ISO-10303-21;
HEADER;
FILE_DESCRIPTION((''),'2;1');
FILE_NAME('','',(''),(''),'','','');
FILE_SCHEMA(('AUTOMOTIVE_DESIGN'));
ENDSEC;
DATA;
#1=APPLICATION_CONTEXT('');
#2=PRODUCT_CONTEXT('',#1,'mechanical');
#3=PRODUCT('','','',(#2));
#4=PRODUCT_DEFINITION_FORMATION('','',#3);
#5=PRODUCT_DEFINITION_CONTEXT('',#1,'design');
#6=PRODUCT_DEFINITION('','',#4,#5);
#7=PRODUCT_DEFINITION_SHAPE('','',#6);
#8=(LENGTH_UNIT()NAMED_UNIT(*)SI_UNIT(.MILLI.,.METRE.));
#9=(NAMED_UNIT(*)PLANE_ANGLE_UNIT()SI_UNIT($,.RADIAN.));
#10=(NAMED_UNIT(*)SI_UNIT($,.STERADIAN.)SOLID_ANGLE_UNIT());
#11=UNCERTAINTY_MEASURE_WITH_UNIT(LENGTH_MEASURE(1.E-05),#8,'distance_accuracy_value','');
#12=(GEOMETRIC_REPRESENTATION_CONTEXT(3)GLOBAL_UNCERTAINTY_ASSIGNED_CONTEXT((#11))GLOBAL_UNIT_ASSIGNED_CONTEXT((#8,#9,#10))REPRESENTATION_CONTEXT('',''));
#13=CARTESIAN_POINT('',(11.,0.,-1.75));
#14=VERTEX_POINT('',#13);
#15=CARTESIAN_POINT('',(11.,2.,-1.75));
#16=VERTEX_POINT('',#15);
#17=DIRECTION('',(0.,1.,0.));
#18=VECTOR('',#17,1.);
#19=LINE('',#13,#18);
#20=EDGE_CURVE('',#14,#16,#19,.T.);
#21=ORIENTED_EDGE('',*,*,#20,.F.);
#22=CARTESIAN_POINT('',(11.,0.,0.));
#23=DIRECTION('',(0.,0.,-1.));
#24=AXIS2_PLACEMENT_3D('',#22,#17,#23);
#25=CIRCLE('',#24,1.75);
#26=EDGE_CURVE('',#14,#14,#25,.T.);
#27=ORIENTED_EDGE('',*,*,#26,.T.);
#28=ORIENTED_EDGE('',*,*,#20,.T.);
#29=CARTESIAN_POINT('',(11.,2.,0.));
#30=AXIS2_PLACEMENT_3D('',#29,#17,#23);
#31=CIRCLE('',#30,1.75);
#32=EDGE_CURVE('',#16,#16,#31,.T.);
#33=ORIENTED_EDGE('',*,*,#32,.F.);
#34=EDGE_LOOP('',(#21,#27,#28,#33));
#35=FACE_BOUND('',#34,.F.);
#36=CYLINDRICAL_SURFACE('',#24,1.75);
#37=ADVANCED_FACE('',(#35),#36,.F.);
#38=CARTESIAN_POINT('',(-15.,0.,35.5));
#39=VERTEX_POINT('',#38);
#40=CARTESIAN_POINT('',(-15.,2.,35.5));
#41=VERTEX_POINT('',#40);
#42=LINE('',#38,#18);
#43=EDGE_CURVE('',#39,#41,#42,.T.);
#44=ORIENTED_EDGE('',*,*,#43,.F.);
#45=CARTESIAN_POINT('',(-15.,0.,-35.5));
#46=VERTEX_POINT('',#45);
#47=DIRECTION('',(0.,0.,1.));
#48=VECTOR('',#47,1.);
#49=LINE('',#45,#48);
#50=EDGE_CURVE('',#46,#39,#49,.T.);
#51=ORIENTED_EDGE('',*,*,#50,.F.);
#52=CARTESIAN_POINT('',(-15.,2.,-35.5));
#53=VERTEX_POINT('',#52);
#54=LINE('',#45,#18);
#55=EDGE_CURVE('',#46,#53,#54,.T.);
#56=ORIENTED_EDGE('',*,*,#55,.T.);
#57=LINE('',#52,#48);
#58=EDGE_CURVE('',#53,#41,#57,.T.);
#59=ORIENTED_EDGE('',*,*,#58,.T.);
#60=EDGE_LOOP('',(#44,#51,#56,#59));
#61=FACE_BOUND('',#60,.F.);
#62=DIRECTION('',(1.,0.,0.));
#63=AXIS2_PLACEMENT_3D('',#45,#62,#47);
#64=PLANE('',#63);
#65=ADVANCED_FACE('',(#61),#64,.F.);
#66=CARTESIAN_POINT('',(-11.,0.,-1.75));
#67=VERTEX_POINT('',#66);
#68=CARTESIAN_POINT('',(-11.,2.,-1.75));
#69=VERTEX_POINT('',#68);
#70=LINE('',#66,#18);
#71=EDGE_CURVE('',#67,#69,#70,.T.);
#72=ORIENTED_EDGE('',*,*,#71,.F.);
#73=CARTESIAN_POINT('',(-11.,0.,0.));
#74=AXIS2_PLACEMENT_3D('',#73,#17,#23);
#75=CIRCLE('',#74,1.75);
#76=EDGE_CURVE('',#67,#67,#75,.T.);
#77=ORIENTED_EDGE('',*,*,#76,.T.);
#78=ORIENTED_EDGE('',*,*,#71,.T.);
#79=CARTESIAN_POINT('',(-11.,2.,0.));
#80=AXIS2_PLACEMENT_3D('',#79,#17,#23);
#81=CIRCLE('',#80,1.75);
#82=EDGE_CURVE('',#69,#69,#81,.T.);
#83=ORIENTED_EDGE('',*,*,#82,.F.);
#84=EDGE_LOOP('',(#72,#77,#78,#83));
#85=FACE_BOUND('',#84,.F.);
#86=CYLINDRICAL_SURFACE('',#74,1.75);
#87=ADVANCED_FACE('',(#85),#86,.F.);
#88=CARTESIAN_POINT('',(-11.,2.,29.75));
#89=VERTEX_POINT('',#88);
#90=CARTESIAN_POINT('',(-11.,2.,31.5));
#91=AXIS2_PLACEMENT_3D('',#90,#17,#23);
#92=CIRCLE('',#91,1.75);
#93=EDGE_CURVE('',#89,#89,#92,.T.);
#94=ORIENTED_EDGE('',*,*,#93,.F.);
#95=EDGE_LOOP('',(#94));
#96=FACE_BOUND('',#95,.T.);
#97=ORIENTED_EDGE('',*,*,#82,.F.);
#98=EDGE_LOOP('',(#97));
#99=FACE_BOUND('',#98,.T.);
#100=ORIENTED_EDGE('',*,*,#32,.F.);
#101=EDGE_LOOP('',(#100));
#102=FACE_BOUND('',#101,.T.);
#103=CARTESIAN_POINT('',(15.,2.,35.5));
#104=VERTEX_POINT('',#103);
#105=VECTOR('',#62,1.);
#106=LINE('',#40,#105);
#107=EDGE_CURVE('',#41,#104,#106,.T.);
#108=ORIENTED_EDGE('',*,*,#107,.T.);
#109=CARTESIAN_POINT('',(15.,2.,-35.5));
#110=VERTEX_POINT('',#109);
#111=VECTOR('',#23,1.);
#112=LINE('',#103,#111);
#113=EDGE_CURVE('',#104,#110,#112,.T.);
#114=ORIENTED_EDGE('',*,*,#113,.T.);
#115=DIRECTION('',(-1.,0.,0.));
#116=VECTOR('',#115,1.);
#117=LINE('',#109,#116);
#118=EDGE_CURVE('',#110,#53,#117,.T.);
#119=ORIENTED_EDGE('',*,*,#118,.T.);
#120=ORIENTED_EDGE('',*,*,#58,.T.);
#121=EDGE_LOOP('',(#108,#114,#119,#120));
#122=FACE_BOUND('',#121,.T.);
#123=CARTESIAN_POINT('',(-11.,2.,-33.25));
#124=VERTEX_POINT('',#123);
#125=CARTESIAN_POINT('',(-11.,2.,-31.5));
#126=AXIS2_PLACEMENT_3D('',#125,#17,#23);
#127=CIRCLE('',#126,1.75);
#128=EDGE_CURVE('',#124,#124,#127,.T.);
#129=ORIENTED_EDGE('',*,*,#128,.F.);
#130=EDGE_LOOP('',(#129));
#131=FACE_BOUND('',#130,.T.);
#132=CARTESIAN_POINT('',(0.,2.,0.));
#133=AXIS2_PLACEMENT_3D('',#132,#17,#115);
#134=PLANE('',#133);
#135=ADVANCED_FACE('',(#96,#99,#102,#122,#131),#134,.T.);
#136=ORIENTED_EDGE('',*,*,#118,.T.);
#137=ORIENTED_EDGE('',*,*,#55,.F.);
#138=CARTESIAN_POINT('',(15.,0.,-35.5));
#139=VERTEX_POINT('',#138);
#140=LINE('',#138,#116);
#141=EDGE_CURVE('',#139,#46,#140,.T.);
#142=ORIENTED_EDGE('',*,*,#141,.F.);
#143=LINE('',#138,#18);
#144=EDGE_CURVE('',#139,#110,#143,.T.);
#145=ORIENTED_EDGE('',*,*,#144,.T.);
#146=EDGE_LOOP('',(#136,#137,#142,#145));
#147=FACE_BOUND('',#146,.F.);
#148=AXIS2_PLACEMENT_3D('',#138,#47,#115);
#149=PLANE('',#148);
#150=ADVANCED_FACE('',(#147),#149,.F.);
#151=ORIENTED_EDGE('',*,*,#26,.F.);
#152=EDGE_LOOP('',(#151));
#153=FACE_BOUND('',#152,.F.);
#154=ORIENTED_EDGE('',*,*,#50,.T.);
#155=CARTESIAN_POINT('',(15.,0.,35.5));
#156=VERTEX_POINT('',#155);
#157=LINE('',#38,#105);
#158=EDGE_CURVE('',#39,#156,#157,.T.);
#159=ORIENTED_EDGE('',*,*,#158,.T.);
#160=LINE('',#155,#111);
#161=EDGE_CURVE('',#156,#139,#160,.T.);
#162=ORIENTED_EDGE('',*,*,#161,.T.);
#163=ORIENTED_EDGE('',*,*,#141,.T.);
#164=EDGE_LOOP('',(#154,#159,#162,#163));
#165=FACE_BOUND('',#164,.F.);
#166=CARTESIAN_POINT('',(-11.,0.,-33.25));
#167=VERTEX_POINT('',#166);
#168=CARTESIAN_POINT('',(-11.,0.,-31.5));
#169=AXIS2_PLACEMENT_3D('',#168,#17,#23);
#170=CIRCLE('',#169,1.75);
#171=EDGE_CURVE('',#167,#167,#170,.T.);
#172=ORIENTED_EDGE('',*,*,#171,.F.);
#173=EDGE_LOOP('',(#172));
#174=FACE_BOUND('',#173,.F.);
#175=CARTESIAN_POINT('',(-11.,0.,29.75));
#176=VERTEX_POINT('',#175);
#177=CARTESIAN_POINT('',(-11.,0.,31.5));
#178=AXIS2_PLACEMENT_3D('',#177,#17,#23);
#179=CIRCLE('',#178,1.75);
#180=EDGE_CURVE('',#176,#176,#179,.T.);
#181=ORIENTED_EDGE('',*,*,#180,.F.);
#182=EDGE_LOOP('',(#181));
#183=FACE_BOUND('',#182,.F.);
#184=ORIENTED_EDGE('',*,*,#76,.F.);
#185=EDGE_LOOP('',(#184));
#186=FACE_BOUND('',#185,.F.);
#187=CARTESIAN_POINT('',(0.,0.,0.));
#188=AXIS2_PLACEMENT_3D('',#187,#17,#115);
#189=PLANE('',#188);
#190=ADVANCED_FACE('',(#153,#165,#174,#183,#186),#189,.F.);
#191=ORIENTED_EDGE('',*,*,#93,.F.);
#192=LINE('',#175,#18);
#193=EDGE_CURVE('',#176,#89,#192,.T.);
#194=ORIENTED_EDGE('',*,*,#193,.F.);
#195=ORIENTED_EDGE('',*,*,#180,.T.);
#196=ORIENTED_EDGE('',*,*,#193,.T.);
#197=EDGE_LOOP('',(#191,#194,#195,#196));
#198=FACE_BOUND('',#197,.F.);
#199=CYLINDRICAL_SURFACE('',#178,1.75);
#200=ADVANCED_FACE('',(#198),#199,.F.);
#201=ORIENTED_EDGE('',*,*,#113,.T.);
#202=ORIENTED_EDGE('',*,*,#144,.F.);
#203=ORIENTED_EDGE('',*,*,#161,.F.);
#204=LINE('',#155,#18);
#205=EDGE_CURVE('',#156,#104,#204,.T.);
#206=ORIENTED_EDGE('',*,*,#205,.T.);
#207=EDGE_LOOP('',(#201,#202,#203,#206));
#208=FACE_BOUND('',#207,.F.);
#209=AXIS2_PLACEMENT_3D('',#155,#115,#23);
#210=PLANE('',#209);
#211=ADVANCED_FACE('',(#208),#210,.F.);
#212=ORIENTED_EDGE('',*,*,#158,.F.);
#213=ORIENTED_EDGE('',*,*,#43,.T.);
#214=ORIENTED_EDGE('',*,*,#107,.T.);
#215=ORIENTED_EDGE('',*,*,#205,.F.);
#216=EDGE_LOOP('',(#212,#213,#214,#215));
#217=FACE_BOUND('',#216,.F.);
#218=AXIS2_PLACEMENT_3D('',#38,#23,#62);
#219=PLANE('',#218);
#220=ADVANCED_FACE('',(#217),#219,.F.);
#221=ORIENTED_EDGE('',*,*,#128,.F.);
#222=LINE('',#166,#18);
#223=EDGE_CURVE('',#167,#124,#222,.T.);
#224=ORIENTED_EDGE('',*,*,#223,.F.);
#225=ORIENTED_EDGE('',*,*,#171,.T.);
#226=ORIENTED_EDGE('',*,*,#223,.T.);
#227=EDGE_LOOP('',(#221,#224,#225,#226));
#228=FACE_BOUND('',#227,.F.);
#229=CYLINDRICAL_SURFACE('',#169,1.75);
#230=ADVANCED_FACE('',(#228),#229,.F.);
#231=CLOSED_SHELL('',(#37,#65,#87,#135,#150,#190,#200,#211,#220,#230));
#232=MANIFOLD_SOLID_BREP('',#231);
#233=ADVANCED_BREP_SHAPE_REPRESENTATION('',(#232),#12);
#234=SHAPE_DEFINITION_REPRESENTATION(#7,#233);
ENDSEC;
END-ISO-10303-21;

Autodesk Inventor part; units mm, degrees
ref_plane "YZ Plane" through (0, 0, 0) normal (1, 0, 0) x (0, 1, 0)
ref_plane "XZ Plane" through (0, 0, 0) normal (0, 1, 0) x (-1, 0, 0)
ref_plane "XY Plane" through (0, 0, 0) normal (0, 0, 1) x (1, 0, 0)
sketch "Szkic1" plane through (0, 0, 0) normal (0, 1, 0) x (-1, 0, 0)
  line L0 (-15, -35.5) -> (15, -35.5)
  line L1 (15, -35.5) -> (15, 35.5)
  line L2 (15, 35.5) -> (-15, 35.5)
  line L3 (-15, 35.5) -> (-15, -35.5)
  line L4 (-15, -35.5) -> (15, 35.5) construction
  line L5 (15, -35.5) -> (-15, 35.5) construction
  point P0 (0, 0)
  dimension "d0" = 30
  dimension "d1" = 71
extrude "Wyciągnięcie proste1" add sketch "Szkic1" along normal blind 2
sketch "Szkic2" plane through (0, 0, 0) normal (0, -1, 0) x (1, 0, 0)
  circle A0 centre (11, 0) radius 1.5 projected
  circle A1 centre (19, -31.5) radius 1.5 projected
  circle A2 centre (-11, 31.5) radius 1.5 projected
  circle A3 centre (-11, -31.5) radius 1.5 projected
  circle A4 centre (19, 31.5) radius 1.5 projected
  circle A5 centre (-11, 0) radius 1.5 projected
  line L0 (23.5, -35.5) -> (-15.5, -35.5) projected
  line L1 (23.5, 35.5) -> (23.5, -35.5) projected
  line L2 (-15.5, 35.5) -> (23.5, 35.5) projected
  line L3 (-15.5, -35.5) -> (-15.5, 35.5) projected
  point P0 (0, 0)
hole "Otwór1" at (11, 0, 0) at (-11, 0, 0) at (-11, 0, 31.5) at (-11, 0, -31.5) direction (0, 1, 0) diameter 3.5 end through all
properties part number "docisk do mostka"
